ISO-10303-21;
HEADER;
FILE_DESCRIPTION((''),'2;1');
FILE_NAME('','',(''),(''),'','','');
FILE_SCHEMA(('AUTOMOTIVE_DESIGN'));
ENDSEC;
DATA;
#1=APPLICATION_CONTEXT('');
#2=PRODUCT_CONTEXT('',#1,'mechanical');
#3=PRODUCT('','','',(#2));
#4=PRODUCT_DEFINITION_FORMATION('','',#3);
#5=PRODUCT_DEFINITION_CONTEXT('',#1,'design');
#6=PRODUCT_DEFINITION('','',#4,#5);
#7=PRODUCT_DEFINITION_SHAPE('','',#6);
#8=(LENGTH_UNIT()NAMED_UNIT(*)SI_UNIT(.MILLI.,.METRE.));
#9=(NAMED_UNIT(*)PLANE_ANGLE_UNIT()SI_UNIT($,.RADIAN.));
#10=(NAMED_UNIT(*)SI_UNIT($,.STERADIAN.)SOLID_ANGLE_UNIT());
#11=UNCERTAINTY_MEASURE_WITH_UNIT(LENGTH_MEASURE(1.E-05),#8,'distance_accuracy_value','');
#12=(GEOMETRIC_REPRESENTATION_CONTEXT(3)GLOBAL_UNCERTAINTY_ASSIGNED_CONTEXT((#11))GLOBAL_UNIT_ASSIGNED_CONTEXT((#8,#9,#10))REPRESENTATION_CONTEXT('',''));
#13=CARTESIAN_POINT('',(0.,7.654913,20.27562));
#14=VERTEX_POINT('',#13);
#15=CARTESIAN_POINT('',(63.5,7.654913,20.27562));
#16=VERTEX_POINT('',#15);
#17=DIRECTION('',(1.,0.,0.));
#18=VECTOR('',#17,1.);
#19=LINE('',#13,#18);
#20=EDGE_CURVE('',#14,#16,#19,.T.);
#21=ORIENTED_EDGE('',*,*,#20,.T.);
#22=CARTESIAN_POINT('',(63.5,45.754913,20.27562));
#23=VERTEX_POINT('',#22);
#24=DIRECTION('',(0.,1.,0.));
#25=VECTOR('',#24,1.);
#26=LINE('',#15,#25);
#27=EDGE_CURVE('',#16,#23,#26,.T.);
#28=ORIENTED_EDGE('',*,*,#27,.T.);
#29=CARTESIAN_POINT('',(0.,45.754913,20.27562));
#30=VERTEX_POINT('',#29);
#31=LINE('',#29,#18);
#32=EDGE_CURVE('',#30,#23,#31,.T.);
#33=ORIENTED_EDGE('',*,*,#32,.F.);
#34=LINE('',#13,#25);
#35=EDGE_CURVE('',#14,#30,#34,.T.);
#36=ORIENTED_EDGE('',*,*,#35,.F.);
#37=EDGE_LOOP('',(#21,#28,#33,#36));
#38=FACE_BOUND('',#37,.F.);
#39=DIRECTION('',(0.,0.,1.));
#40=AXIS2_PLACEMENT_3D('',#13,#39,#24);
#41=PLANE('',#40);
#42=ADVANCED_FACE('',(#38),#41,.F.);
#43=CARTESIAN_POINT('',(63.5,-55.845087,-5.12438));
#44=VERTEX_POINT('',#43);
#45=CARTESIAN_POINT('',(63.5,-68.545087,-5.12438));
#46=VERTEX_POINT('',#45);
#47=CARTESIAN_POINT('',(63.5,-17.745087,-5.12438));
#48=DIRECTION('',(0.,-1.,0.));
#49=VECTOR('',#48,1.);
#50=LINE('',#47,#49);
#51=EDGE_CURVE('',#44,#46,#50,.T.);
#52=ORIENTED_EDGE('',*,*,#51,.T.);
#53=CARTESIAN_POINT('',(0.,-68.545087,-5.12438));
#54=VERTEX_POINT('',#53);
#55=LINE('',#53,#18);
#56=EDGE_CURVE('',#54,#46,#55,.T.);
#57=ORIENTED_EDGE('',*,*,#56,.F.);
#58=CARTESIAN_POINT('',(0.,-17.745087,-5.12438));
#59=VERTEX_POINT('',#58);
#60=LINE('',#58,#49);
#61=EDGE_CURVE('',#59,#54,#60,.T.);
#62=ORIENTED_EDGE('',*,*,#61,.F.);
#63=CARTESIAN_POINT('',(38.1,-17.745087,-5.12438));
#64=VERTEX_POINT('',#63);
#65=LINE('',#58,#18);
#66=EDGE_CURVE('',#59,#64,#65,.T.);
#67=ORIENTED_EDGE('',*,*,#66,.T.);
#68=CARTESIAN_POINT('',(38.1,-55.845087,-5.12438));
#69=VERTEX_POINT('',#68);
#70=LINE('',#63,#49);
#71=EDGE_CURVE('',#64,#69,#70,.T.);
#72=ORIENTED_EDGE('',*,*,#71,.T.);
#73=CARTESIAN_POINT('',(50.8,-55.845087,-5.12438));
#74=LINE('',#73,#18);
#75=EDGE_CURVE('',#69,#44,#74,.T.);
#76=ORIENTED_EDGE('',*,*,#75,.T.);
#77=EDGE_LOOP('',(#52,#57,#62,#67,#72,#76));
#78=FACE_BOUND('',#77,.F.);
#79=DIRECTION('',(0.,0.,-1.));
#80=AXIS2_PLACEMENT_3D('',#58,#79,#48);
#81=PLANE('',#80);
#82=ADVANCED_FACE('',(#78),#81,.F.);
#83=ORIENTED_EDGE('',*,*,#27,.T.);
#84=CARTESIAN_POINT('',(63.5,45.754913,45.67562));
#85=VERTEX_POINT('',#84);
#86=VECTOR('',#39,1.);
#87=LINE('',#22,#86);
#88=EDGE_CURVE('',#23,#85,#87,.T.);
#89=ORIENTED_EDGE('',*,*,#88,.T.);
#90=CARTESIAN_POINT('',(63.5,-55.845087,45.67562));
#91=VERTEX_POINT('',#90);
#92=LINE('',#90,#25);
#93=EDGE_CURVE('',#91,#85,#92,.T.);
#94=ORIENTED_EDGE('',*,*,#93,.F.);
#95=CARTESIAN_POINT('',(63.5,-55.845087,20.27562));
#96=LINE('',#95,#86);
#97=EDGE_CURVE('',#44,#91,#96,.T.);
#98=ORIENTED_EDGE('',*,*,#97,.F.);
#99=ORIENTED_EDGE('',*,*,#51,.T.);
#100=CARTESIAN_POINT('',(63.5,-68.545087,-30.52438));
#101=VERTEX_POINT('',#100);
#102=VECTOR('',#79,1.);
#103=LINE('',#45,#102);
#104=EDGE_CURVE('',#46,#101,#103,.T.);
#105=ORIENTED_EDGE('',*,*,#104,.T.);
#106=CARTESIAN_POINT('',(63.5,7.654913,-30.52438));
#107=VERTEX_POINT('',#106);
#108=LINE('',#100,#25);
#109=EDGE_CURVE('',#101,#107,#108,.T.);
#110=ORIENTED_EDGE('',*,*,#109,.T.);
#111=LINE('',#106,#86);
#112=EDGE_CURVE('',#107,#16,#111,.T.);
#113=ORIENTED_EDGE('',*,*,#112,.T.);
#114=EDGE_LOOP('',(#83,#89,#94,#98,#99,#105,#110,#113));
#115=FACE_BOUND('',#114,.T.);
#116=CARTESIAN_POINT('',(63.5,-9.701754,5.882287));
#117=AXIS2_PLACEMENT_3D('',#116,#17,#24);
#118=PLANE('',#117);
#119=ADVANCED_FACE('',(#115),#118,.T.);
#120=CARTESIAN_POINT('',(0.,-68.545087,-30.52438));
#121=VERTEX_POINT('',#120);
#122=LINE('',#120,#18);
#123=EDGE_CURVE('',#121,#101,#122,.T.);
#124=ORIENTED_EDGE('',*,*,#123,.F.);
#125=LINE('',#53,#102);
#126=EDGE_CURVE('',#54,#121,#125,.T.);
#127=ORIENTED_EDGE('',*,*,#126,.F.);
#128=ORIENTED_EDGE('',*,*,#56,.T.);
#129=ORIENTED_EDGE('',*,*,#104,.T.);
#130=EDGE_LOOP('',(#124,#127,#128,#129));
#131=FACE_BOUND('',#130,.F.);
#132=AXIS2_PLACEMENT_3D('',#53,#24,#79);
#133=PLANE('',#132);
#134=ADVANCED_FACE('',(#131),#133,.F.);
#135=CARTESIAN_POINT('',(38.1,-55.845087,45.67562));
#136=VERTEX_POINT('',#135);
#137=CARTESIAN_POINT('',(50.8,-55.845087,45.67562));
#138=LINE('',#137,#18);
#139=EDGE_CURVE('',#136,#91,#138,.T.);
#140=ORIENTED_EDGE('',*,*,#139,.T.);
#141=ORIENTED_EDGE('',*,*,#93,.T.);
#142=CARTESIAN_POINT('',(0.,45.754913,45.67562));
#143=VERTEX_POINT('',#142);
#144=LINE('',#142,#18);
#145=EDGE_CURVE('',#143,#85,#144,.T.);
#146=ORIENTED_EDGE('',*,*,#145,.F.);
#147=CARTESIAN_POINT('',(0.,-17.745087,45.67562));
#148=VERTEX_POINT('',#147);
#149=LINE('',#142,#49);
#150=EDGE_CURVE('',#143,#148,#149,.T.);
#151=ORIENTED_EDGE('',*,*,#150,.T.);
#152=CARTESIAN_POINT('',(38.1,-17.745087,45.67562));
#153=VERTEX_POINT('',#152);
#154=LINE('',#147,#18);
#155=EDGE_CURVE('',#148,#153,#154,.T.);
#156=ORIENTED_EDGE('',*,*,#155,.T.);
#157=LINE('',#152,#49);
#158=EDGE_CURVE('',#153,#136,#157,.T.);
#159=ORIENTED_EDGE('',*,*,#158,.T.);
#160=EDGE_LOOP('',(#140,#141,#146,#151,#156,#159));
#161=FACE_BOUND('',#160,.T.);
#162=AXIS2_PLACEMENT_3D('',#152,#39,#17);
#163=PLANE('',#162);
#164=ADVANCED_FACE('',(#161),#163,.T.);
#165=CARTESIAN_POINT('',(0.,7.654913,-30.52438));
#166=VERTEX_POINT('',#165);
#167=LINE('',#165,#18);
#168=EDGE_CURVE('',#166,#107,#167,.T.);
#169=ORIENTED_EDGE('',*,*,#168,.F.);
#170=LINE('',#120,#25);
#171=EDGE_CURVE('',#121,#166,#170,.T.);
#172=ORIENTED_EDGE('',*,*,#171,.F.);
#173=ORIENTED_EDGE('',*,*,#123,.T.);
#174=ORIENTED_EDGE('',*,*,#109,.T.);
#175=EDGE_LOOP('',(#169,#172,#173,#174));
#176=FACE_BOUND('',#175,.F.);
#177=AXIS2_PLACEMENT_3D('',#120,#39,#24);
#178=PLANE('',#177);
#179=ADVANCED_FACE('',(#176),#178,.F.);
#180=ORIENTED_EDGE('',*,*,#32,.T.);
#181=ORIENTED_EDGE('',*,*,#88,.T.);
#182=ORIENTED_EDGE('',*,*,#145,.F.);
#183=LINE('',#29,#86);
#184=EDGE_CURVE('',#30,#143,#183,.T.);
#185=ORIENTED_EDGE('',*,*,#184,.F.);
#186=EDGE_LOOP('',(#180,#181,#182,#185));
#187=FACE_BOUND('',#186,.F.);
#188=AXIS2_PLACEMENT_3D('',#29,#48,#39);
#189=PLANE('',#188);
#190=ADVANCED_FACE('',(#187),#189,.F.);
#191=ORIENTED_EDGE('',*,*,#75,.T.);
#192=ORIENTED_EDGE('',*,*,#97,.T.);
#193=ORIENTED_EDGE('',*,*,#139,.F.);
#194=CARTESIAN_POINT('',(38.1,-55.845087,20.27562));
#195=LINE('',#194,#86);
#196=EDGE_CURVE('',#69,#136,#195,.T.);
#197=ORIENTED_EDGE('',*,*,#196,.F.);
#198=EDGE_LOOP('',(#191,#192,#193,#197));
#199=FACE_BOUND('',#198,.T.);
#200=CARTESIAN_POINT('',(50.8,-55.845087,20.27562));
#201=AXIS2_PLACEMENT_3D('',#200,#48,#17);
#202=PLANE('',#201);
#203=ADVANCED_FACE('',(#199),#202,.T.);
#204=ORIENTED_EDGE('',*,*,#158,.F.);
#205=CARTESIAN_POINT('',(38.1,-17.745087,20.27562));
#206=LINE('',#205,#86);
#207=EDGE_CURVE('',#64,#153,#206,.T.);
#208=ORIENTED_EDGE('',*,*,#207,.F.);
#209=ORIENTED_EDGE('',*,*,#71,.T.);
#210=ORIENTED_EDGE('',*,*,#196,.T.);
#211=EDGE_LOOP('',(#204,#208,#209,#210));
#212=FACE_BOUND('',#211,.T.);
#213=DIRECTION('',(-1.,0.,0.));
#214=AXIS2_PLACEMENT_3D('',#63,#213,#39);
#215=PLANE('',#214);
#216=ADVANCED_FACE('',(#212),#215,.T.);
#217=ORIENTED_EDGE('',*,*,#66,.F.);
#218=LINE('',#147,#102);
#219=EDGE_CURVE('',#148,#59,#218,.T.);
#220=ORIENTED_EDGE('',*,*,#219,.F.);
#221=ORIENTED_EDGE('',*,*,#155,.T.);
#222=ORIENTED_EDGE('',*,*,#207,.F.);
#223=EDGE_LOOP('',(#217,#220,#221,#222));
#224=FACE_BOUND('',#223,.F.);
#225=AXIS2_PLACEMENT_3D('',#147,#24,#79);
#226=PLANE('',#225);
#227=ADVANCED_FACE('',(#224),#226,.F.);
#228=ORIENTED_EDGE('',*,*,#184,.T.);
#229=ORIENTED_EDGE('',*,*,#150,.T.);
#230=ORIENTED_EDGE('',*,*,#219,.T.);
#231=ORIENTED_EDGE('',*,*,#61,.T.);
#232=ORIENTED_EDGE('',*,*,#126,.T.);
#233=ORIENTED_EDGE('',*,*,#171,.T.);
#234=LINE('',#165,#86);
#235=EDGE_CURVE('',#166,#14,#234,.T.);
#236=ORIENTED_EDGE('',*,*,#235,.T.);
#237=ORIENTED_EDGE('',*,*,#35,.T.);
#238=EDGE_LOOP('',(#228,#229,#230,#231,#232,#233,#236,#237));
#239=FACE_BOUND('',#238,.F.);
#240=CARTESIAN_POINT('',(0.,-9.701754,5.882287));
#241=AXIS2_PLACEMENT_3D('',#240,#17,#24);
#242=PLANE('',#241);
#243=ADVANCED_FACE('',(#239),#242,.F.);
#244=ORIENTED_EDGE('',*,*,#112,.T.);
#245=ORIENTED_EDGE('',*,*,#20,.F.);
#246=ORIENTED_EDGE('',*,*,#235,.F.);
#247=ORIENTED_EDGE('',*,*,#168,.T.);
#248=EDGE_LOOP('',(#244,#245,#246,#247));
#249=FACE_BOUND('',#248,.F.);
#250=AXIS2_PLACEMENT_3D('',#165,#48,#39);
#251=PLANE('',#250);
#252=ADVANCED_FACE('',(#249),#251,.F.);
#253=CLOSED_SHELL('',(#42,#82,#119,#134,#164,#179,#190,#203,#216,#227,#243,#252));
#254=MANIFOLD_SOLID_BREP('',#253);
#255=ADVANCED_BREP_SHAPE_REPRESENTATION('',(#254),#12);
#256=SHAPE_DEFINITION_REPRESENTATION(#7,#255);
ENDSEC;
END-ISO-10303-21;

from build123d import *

# Parameters (mm, degrees)
F1_DEPTH = 63.5
F2_W     = 25.4
F2_H     = 50.8
F3_DEPTH = 38.1


with BuildPart() as f1:
    # F0 (on Right) → F1 (new body)
    with BuildSketch(Plane.YZ):
        Polygon((45.754913, 20.27562), (45.754913, 45.67562), (-17.745087, 45.67562), (-17.745087, -5.12438), (-68.545087, -5.12438), (-68.545087, -30.52438), (7.654913, -30.52438), (7.654913, 20.27562), align=None)
    extrude(amount=F1_DEPTH)

    # F2 (on face) → F3 (join)
    with BuildSketch(Plane.XZ.offset(17.745087)):
        with Locations((50.8, 20.27562)):
            Rectangle(F2_W, F2_H)
    extrude(amount=F3_DEPTH)


solid = f1.part
